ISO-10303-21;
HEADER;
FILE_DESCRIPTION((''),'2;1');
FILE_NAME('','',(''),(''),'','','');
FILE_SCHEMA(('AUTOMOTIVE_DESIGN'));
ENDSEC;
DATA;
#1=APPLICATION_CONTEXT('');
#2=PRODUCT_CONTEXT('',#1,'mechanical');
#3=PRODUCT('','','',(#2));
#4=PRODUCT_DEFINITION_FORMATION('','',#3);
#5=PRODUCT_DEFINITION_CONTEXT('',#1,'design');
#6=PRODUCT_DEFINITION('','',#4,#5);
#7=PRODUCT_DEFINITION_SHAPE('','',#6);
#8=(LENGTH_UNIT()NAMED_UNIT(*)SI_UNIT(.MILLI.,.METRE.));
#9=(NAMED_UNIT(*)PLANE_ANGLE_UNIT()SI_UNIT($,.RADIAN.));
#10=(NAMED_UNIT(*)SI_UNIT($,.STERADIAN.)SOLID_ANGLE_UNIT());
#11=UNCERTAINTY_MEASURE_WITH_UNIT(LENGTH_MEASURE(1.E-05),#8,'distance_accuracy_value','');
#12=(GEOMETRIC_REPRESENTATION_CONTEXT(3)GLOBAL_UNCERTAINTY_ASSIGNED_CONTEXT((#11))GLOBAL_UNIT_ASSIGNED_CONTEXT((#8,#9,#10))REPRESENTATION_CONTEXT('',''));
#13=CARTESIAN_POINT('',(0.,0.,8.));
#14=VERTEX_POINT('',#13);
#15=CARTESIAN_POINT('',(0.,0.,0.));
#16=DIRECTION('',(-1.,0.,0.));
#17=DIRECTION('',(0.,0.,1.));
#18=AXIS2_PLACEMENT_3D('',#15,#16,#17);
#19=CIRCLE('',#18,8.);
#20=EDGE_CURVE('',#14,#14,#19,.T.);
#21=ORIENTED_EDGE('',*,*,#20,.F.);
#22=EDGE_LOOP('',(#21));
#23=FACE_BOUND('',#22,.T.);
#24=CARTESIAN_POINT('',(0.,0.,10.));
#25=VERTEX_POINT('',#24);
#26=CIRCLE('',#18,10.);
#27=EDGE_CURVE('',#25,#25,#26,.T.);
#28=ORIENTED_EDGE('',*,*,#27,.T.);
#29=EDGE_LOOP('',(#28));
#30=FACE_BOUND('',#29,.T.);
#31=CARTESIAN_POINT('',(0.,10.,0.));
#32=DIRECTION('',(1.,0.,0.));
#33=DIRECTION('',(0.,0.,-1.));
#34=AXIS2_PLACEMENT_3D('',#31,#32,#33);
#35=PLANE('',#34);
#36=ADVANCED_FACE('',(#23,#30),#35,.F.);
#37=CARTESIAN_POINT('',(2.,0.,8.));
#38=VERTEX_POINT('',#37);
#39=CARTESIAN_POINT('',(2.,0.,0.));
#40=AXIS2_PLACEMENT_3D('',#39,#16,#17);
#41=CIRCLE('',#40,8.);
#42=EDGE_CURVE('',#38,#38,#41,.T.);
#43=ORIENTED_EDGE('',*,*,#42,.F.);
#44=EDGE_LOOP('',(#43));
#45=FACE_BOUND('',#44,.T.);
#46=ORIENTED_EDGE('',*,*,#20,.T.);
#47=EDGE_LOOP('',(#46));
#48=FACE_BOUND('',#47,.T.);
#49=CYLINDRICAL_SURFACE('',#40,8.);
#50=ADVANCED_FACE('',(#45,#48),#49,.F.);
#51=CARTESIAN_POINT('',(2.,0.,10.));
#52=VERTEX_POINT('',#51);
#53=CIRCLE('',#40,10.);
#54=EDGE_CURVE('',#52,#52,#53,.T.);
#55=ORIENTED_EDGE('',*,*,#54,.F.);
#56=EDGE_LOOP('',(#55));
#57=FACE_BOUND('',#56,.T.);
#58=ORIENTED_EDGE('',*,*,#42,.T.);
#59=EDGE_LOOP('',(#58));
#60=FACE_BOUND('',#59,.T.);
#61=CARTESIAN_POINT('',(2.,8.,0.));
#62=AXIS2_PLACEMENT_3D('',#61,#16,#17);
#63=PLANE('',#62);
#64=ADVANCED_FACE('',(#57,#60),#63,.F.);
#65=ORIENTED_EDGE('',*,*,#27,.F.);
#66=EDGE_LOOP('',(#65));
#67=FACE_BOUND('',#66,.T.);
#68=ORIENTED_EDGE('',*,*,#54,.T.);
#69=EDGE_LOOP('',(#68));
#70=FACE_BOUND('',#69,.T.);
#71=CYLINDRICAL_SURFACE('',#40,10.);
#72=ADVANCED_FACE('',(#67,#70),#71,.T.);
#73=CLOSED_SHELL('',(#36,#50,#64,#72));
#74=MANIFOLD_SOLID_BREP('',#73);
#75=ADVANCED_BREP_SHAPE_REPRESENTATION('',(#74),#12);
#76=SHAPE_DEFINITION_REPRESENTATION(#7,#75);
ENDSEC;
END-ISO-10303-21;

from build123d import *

# Parameters (mm, degrees)
SKETCH1_W = 2
SKETCH1_H = 2


with BuildPart() as part:
    # Sketch1 → Revolve1 (revolve)
    with BuildSketch(Plane.XY, mode=Mode.PRIVATE) as revolve1_sk:
        with Locations((1, 9)):
            Rectangle(SKETCH1_W, SKETCH1_H)
    revolve(revolve1_sk.sketch.rotate(Axis((2, 0, 0), (-1, 0, 0)), 270), axis=Axis((2, 0, 0), (-1, 0, 0)))


solid = part.part
